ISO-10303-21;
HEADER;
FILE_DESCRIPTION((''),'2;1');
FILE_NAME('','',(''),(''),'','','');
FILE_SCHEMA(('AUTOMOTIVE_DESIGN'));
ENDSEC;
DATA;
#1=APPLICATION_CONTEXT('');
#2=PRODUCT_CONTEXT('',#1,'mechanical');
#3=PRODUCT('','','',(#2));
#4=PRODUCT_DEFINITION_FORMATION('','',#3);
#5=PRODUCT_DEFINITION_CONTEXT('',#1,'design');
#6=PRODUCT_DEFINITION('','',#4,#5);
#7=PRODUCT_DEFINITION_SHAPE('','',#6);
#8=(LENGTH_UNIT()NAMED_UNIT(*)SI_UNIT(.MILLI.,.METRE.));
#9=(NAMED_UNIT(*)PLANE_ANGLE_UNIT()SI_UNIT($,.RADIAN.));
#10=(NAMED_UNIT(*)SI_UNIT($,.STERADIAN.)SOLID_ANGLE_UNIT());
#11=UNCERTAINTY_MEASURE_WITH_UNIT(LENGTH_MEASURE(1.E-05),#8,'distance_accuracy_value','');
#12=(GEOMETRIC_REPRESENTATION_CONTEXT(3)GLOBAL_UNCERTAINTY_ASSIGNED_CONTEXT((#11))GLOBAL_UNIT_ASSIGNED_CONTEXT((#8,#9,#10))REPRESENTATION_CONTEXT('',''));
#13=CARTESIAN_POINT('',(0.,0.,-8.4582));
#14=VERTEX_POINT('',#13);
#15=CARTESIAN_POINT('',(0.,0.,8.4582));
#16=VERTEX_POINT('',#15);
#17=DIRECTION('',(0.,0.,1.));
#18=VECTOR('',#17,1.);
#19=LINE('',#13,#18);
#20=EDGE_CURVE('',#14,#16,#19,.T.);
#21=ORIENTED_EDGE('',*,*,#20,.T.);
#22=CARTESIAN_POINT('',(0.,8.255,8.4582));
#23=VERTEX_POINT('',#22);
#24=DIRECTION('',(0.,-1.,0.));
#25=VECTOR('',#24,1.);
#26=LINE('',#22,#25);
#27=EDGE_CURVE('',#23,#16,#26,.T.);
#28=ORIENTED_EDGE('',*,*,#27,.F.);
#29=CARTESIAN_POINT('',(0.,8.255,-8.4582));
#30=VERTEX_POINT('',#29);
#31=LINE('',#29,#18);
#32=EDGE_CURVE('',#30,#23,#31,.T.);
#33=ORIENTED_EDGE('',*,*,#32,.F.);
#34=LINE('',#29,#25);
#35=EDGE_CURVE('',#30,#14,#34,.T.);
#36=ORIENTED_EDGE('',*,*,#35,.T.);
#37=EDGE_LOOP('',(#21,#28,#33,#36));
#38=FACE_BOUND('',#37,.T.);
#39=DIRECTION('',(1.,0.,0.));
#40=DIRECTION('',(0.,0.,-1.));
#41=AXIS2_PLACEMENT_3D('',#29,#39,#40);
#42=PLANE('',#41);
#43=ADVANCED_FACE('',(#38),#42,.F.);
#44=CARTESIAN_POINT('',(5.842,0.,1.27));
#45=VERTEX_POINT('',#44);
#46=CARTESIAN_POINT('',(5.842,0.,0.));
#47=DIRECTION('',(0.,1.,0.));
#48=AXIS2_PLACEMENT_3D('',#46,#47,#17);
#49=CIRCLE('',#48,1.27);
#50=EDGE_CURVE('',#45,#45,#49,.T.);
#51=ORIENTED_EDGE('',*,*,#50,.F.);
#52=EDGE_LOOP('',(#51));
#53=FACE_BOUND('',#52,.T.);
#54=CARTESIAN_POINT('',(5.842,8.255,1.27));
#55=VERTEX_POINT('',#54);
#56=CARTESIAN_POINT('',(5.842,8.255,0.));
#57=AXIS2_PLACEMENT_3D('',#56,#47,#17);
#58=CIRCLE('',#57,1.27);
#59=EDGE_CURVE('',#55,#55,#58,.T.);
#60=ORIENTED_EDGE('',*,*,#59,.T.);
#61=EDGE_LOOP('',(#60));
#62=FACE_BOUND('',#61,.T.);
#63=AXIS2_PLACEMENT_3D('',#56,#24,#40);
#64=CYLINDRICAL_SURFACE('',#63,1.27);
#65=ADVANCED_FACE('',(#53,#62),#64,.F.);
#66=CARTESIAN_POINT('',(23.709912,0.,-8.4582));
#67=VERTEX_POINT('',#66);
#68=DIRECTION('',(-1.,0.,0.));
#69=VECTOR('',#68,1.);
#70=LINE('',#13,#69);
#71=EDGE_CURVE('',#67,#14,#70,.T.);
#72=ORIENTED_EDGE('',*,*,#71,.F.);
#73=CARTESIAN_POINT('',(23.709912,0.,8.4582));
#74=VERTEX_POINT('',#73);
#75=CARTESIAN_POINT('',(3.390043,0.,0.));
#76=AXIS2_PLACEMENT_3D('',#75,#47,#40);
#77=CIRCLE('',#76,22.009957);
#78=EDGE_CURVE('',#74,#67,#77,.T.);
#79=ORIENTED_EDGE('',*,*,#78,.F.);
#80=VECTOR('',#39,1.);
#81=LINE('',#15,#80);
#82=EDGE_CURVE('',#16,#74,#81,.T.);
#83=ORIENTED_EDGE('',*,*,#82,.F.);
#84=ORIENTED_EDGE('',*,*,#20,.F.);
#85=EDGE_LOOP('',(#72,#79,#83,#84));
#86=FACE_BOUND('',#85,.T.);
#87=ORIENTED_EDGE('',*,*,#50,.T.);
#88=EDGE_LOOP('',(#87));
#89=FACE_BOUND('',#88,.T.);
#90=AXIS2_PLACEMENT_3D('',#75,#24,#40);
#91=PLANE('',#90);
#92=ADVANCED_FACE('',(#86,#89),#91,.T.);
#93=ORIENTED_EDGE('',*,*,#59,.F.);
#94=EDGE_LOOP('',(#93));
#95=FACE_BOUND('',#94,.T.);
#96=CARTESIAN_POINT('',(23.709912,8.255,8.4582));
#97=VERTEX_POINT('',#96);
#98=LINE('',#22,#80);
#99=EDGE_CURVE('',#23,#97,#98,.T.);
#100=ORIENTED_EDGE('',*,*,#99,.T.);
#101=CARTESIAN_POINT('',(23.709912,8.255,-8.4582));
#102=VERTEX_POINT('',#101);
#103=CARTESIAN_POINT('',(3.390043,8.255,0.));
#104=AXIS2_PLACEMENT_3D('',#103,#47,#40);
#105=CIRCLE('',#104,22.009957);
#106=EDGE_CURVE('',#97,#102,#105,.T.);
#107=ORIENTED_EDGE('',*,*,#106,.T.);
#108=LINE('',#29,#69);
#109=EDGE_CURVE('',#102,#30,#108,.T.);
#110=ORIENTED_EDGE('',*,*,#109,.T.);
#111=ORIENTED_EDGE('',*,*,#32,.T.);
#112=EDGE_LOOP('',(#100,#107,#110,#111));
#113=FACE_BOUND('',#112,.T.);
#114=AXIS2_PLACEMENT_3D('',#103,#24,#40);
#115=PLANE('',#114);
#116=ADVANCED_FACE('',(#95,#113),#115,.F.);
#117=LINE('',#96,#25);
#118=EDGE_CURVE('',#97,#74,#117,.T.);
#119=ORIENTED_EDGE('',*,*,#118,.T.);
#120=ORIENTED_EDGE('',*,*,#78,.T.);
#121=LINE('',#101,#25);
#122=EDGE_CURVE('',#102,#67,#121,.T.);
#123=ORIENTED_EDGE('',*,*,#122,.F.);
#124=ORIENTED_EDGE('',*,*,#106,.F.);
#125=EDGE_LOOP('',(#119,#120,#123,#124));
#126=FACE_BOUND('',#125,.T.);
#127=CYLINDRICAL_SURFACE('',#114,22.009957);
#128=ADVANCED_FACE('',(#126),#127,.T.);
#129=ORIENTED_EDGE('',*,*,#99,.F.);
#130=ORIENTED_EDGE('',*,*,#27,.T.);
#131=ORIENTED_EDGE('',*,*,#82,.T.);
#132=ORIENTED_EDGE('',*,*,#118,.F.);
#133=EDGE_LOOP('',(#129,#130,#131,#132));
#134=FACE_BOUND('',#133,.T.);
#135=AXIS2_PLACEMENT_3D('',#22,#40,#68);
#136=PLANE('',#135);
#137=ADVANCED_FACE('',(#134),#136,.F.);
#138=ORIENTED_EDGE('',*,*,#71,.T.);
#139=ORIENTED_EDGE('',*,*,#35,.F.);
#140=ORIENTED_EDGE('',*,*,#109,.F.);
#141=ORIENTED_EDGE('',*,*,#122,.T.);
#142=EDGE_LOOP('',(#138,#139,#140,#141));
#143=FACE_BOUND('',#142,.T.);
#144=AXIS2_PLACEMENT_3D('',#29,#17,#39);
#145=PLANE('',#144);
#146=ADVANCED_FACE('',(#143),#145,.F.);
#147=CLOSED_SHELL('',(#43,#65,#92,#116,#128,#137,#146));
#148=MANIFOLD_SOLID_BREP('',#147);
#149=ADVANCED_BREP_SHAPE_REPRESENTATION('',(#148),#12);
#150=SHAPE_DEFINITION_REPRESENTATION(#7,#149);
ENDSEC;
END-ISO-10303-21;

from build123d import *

# Parameters (mm, degrees)
SKETCH1_R           = 1.27
BOSS_EXTRUDE1_DEPTH = 8.255


with BuildPart() as part:
    # Sketch1 → Boss-Extrude1 (new body)
    with BuildSketch(Plane(origin=(0, 0, 0), x_dir=(1, 0, 0), z_dir=(0, 1, 0))):
        with BuildLine():
            Line((0, 8.4582), (23.709911587, 8.4582))
            ThreePointArc((23.709911587, 8.4582), (25.4, 0), (23.709911587, -8.4582))
            Line((23.709911587, -8.4582), (0, -8.4582))
            Line((0, -8.4582), (0, 8.4582))
        make_face()
        with Locations(Location((5.842, 0, 0), (0, 0, 270))):
            Circle(SKETCH1_R, mode=Mode.SUBTRACT)
    extrude(amount=BOSS_EXTRUDE1_DEPTH)


solid = part.part
